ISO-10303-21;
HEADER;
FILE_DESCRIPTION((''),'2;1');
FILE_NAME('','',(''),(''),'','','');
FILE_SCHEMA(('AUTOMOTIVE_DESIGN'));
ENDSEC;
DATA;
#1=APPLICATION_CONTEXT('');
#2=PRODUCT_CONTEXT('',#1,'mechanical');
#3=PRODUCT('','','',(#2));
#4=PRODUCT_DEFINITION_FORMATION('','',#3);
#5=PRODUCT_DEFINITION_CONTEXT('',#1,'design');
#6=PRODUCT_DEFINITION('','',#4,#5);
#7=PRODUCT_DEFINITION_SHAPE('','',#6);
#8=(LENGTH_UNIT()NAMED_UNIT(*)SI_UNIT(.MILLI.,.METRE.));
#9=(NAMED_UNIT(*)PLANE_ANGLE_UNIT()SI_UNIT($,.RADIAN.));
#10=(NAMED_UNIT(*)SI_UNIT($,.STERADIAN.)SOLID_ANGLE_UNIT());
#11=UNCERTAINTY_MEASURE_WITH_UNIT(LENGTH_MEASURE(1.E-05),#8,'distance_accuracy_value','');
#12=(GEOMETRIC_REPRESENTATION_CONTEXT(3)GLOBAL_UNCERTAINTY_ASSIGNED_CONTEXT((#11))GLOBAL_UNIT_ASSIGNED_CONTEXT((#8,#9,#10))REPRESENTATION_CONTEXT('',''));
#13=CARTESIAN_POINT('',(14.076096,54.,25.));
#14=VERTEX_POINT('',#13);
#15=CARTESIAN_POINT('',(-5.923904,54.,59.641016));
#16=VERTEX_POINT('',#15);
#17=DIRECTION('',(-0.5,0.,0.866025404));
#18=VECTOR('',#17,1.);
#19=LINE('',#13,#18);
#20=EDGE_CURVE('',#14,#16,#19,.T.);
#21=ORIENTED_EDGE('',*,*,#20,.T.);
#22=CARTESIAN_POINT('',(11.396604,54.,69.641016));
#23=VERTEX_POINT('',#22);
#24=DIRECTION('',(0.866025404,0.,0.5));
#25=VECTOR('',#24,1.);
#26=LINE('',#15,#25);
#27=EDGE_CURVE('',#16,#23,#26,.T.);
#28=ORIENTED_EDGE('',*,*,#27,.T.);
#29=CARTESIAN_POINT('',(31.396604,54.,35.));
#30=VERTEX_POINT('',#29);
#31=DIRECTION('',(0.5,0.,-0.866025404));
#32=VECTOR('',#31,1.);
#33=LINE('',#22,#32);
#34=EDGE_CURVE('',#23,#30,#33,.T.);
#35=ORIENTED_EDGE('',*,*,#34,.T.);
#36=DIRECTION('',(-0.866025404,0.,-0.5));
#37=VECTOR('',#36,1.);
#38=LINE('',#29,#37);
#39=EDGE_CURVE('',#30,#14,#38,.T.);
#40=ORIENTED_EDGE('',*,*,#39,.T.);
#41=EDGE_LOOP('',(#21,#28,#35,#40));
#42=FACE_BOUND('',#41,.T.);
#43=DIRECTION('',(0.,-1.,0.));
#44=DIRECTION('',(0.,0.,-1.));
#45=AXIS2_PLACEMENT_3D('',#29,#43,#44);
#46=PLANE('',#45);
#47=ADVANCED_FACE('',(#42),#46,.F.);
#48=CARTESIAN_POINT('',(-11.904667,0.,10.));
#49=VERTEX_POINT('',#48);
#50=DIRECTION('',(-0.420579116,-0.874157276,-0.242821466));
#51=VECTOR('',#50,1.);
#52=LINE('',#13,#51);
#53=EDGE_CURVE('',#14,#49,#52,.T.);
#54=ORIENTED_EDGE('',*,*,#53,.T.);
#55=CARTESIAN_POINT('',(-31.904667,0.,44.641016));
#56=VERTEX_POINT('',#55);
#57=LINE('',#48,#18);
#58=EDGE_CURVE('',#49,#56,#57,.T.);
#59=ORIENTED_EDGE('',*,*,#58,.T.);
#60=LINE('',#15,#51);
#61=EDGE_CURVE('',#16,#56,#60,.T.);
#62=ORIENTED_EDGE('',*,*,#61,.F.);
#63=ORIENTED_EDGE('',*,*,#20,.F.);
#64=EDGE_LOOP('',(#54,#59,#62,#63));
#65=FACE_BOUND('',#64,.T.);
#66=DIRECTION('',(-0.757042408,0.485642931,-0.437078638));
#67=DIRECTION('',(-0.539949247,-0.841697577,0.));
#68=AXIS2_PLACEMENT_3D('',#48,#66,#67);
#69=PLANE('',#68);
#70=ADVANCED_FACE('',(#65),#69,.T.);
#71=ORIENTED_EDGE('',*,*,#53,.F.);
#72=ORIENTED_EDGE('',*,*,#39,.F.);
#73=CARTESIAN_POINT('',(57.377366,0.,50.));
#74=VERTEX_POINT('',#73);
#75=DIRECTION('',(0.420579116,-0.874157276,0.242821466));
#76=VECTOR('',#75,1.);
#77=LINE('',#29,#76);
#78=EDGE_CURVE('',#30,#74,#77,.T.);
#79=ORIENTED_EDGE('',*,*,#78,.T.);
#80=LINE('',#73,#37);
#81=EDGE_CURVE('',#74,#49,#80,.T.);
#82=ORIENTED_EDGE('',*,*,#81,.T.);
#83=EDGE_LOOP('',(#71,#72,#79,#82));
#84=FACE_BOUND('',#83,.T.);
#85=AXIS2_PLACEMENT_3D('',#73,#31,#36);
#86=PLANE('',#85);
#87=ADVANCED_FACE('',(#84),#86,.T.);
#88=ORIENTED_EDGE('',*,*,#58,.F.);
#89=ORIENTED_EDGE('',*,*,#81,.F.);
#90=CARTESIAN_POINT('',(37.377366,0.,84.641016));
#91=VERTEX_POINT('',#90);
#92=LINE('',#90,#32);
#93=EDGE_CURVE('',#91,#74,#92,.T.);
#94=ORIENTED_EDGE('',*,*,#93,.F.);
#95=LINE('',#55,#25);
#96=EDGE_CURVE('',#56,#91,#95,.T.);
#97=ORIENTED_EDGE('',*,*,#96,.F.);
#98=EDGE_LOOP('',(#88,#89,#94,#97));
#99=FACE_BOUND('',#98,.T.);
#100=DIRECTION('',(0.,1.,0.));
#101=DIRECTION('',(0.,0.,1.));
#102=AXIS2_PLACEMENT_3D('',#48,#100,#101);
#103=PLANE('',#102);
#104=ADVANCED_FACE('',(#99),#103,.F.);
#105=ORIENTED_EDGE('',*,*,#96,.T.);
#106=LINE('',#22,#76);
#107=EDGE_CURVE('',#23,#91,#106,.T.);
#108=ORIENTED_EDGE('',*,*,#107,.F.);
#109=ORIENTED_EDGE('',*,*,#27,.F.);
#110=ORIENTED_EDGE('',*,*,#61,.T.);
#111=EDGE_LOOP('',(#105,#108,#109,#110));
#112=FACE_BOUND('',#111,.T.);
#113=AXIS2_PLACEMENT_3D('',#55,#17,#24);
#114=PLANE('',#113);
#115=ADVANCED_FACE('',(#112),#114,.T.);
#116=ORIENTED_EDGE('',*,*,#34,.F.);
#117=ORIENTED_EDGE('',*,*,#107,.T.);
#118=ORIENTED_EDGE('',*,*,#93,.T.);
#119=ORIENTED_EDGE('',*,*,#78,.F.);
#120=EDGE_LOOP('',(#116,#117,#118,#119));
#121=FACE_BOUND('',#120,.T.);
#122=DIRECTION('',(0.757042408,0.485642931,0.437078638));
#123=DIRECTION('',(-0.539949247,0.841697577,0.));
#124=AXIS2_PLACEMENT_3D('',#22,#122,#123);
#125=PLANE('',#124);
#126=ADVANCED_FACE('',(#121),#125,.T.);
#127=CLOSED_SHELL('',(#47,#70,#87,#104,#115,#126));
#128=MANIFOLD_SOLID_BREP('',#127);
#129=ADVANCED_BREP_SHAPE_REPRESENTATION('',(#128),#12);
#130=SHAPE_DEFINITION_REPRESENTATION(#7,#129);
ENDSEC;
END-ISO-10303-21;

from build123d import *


with BuildPart() as part:
    # Sketch3 → Loft1 section 0
    with BuildSketch(Plane(origin=(0, 54, 0), x_dir=(-1, 0, 0), z_dir=(0, 1, 0))):
        Polygon((-14.076095526, 25), (5.923904474, 59.641016151), (-11.396603602, 69.641016151), (-31.396603602, 35), align=None)
    # Sketch1 → Loft1 section 1
    with BuildSketch(Plane(origin=(0, 0, 0), x_dir=(1, 0, 0), z_dir=(0, 1, 0))):
        Polygon((-11.904666587, -10), (-31.904666587, -44.641016151), (37.377365716, -84.641016151), (57.377365716, -50), align=None)
    loft()


solid = part.part
